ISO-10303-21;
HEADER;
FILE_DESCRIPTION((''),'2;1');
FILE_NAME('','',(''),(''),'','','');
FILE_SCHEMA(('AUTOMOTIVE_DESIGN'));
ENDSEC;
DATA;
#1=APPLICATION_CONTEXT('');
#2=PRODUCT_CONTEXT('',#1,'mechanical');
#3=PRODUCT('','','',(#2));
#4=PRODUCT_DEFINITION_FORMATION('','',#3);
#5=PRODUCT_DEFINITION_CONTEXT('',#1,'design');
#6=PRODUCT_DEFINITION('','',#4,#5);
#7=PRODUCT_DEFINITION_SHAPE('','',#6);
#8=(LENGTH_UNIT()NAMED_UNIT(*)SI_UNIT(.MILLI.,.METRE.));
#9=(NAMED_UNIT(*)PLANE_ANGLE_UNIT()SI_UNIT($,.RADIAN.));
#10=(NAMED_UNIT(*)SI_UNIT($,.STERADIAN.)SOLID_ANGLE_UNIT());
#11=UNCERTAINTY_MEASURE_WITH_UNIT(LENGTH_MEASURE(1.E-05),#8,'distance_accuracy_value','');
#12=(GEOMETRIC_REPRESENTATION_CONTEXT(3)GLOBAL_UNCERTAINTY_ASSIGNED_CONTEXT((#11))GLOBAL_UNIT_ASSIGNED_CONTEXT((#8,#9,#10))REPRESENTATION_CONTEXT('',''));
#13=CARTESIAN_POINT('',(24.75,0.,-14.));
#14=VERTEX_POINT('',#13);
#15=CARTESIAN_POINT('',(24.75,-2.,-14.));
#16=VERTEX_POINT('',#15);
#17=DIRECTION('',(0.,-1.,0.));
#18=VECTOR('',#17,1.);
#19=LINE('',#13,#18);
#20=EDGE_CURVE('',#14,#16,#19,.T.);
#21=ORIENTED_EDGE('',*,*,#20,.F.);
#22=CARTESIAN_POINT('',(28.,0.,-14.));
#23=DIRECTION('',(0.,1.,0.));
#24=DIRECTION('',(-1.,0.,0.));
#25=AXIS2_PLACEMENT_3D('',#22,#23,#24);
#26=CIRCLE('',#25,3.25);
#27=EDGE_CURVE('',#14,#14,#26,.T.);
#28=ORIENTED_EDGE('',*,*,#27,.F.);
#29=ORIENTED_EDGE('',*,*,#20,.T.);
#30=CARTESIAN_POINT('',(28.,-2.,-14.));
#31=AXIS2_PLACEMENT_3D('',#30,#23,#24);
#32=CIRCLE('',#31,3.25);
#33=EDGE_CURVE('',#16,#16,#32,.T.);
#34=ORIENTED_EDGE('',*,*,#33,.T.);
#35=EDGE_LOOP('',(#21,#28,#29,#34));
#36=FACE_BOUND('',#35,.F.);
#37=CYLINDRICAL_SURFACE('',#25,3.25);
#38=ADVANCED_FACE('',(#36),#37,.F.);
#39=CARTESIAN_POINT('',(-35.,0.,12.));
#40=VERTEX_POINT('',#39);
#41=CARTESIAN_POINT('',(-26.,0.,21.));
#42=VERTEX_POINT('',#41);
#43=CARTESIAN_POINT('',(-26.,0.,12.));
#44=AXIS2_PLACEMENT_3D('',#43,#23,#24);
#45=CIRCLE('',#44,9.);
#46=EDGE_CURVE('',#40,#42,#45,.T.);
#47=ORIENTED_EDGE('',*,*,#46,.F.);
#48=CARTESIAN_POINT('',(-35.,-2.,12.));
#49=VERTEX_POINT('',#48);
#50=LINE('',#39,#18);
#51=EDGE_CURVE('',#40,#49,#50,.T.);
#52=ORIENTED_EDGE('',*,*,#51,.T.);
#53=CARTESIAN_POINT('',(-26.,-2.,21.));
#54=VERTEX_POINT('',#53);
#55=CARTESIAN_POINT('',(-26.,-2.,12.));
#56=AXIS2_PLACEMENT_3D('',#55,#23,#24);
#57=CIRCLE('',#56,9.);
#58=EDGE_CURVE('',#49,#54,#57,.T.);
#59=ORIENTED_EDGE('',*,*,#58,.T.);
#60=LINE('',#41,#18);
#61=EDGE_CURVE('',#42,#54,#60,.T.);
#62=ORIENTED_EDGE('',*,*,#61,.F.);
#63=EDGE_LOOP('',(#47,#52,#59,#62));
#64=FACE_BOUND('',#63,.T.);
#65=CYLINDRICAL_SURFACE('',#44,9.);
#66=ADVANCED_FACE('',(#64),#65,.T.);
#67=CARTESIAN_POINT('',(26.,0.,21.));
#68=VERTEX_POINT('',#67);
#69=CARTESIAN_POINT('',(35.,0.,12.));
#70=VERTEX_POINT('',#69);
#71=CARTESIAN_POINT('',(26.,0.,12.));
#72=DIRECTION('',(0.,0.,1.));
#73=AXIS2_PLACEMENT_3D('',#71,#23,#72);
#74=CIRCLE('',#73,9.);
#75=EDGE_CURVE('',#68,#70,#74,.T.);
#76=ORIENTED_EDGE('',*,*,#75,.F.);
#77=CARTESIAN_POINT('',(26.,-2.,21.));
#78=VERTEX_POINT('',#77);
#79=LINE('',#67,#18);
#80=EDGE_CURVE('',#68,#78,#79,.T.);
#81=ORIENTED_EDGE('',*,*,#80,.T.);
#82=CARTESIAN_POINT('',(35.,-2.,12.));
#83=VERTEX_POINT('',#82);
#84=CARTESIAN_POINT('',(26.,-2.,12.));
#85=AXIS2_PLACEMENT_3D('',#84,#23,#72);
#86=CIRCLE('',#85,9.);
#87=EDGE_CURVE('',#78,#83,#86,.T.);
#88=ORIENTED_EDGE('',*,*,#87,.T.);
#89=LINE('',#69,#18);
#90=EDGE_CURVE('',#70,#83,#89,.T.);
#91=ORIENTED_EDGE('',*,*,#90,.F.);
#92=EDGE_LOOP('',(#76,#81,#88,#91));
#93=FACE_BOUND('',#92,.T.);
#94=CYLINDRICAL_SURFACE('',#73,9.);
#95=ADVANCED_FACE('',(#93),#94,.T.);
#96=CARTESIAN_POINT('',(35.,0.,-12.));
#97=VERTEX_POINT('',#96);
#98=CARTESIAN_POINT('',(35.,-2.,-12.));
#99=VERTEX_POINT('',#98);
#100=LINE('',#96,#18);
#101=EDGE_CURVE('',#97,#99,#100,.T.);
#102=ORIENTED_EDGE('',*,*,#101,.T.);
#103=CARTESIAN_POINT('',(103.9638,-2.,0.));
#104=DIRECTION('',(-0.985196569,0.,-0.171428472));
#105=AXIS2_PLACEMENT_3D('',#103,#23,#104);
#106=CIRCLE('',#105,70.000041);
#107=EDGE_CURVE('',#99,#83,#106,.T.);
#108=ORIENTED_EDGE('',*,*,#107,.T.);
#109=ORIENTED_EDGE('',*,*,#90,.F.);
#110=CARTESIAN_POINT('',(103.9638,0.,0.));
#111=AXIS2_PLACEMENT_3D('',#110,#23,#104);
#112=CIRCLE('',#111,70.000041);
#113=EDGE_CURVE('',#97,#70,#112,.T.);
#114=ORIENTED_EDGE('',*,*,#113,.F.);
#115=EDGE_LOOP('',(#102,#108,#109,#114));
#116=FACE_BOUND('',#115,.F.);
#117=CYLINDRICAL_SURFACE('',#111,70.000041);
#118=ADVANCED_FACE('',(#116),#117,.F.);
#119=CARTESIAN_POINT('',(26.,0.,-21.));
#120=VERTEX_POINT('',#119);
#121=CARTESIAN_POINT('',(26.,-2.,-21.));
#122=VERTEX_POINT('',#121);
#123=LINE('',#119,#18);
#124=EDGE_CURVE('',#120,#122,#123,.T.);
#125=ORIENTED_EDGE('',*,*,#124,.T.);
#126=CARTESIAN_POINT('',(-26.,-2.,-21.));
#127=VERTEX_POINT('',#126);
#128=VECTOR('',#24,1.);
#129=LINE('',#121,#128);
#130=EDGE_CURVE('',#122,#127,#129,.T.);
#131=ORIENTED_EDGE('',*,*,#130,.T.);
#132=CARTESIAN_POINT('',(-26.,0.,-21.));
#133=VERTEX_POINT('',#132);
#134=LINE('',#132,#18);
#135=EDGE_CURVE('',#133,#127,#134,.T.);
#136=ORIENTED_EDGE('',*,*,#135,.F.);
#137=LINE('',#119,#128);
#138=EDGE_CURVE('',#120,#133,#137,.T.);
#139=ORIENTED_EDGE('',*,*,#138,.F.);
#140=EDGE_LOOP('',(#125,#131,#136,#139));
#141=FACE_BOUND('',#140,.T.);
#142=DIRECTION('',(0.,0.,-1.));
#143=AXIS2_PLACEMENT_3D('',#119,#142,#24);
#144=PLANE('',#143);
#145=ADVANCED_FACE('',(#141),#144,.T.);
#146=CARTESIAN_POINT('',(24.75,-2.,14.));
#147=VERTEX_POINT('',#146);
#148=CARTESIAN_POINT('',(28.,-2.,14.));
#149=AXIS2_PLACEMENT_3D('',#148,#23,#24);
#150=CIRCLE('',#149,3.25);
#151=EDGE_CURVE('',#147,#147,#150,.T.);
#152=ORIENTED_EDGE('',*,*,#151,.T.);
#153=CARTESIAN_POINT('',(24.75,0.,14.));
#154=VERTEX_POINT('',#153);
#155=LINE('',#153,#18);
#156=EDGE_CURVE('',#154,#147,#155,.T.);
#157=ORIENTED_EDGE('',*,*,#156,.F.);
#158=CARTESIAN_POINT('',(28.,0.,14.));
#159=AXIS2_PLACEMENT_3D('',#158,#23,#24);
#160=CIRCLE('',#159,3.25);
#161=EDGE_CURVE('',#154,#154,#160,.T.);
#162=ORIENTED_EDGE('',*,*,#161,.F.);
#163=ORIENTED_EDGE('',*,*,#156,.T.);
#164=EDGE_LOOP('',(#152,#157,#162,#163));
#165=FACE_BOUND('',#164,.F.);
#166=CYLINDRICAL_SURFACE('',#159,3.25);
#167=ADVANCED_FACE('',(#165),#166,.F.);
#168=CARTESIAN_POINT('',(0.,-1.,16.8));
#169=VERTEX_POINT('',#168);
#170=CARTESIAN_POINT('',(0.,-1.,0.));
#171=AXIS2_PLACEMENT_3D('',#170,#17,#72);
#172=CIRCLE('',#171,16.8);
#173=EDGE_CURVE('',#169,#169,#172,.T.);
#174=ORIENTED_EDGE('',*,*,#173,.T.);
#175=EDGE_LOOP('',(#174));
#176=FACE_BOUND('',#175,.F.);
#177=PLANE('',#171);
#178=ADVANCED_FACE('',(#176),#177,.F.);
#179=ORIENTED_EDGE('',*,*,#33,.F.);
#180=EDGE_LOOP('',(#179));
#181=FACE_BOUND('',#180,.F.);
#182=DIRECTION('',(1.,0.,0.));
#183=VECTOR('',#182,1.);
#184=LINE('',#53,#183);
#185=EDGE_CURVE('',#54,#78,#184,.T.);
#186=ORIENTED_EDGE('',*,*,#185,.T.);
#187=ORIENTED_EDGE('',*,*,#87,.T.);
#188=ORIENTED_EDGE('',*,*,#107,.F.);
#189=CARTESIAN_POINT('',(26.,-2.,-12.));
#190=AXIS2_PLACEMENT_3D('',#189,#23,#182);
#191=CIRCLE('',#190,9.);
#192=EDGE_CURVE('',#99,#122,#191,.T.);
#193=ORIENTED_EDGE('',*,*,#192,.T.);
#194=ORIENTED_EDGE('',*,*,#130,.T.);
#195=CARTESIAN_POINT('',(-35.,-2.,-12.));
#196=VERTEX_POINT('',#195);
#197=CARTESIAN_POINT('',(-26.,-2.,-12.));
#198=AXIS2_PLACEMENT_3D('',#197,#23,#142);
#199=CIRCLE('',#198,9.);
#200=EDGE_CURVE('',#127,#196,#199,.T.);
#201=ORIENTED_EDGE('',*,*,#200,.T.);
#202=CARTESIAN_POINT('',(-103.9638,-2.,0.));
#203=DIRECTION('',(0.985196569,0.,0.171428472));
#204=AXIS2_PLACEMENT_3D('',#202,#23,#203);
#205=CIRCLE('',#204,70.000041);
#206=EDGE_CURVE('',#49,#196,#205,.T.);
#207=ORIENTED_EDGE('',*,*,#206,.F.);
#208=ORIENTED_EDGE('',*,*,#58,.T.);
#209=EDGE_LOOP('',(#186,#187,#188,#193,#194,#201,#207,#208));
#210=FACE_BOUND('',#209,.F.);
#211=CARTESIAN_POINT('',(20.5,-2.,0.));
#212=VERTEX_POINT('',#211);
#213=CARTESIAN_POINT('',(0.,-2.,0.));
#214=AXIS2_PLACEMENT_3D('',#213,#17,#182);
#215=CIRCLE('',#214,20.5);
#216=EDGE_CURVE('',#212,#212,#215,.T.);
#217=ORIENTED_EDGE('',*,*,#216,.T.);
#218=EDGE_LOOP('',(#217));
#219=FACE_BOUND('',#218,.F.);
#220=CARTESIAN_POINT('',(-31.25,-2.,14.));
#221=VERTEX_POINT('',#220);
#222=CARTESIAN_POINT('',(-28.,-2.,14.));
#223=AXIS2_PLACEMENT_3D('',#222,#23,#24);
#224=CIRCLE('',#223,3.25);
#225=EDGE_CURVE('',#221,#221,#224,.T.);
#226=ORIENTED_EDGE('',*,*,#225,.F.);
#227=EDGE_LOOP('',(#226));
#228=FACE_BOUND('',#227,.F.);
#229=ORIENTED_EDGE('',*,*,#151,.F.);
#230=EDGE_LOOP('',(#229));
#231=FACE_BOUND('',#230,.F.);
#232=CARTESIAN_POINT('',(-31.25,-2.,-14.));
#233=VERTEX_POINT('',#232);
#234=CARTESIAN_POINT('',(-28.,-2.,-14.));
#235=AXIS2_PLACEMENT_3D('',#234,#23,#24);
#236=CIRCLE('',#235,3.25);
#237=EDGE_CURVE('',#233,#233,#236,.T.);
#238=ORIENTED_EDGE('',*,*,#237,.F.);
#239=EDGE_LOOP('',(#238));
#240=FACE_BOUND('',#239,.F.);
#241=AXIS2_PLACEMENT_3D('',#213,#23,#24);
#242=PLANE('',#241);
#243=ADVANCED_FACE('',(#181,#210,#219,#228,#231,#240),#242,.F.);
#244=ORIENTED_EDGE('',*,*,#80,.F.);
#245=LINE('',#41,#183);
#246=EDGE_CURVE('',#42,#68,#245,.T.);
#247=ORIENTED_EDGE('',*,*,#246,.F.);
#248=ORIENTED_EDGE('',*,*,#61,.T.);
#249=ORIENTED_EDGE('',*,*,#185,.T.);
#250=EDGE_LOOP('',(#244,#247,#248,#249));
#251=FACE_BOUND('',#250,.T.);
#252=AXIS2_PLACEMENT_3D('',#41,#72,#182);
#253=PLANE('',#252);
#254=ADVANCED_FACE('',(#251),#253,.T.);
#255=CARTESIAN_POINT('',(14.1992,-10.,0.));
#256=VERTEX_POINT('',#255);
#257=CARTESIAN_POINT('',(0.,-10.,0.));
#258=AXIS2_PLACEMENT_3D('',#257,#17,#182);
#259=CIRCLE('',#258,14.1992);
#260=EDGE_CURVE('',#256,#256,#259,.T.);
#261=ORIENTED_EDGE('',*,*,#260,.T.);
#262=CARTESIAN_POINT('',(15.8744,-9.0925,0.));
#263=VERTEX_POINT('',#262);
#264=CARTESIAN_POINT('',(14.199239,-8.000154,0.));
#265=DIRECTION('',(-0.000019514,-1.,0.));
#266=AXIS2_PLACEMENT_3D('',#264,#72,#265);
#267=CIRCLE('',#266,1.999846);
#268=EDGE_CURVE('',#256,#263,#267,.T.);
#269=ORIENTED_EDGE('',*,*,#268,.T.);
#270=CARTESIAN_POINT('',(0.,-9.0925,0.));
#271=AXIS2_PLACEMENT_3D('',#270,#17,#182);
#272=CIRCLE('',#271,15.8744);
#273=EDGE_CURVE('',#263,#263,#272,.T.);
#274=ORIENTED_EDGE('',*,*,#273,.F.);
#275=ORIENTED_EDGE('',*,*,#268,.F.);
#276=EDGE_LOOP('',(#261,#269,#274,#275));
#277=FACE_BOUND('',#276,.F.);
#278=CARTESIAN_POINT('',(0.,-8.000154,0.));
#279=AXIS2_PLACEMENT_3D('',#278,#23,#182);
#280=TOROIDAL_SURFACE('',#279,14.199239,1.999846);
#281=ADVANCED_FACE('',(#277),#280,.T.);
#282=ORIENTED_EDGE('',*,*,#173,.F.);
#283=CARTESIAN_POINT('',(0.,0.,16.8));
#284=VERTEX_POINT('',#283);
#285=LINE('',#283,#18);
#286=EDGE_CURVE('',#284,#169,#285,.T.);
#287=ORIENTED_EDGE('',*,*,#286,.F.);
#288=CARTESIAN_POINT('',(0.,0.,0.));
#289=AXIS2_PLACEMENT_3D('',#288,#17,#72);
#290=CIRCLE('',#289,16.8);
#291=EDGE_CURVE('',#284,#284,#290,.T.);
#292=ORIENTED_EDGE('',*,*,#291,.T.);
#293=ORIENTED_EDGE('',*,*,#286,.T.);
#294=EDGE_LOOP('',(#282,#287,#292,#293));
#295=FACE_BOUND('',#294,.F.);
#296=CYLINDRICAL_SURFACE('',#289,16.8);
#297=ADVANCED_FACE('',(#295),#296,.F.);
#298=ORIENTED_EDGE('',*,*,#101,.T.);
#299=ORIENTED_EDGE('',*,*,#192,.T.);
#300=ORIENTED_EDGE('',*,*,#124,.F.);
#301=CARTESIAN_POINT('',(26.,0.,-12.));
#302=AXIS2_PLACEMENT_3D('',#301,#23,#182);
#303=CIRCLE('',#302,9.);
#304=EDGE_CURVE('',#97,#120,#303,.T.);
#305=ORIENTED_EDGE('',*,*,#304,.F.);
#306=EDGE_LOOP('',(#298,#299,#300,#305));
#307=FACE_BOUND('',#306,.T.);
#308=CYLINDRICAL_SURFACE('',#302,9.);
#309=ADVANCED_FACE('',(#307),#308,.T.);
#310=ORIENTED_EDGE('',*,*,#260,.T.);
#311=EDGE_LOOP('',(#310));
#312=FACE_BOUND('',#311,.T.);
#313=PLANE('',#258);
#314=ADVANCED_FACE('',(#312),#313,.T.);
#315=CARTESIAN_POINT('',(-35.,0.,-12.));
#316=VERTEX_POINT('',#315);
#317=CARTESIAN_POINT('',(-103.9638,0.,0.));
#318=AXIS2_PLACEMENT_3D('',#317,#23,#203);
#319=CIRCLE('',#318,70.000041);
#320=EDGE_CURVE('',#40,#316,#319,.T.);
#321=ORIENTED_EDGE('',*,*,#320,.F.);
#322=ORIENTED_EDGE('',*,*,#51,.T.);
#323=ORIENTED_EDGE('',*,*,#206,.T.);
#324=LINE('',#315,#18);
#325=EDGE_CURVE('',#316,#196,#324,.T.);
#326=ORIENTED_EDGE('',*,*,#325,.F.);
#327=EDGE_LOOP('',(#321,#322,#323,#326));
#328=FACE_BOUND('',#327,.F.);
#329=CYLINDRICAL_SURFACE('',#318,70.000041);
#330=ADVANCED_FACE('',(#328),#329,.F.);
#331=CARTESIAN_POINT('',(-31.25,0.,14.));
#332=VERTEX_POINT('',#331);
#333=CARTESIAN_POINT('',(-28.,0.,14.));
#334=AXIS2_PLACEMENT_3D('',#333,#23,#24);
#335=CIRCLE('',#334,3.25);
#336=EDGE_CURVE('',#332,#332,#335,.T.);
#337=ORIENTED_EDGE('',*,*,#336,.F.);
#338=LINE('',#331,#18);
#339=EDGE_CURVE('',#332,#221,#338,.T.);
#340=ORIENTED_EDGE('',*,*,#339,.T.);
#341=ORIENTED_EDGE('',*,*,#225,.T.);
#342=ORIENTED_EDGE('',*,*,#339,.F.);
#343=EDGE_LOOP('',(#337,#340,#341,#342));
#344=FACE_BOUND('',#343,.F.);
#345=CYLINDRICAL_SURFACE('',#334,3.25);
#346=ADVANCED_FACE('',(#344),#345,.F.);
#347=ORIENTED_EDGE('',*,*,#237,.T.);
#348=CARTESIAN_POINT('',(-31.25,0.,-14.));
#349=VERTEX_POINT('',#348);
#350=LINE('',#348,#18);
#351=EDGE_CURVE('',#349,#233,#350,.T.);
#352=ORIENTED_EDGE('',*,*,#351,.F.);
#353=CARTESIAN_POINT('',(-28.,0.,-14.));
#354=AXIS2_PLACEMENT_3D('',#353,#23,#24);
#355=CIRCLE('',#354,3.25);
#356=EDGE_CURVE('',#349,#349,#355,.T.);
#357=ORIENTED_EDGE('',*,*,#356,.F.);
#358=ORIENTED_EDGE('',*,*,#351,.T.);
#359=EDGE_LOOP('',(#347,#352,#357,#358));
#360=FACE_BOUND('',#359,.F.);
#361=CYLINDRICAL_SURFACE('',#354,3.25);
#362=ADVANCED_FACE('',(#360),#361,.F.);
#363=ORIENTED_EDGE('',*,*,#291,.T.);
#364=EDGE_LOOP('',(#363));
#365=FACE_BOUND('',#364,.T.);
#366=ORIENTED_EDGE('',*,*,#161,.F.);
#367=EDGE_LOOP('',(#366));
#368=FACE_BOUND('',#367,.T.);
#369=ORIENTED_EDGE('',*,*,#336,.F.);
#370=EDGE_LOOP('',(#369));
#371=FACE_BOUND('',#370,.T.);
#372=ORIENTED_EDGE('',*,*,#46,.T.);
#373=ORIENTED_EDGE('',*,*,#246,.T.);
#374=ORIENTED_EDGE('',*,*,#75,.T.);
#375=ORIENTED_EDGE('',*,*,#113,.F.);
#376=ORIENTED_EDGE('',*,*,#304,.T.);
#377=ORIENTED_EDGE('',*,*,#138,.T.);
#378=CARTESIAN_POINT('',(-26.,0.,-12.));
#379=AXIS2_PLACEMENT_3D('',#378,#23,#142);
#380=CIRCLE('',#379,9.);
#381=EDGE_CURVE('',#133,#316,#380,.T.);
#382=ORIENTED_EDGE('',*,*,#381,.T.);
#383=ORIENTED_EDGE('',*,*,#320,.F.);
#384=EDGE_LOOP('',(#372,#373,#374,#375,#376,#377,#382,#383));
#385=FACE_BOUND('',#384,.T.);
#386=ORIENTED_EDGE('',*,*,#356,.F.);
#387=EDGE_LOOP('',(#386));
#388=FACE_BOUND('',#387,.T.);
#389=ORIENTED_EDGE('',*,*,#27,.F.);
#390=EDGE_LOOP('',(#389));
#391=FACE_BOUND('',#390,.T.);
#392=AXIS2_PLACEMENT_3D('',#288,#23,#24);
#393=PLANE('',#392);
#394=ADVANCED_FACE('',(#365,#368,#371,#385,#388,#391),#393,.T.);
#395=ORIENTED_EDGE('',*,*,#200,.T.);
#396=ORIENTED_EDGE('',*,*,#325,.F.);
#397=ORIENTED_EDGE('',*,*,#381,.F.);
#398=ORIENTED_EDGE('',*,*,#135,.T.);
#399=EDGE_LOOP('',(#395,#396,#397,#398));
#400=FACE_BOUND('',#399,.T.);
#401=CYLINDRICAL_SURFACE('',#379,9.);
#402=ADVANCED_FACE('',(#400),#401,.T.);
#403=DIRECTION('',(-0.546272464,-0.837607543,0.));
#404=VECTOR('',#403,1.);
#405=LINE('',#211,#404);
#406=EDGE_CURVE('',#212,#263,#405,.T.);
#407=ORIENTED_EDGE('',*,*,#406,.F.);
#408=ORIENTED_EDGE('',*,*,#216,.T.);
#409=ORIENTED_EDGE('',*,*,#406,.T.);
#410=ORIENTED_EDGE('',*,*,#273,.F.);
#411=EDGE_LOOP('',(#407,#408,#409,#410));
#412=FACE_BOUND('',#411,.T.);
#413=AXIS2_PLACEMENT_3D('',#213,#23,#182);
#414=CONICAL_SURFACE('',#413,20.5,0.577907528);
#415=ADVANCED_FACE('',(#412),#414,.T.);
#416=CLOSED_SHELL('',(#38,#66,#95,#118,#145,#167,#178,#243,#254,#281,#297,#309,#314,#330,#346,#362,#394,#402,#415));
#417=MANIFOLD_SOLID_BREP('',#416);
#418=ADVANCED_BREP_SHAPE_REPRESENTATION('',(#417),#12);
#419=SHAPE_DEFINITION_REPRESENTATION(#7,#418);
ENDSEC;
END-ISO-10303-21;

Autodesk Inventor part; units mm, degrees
sketch "Sketch_1" plane through (0, 0, 0) normal (0, 1, 0) x (-1, 0, 0)
  arc A0 (35, 12) -> (35, -12) centre (103.9638, 0) ccw
  arc A1 (35, 12) -> (26, 21) centre (26, 12) ccw
  line L0 (26, 21) -> (-26, 21)
  arc A2 (-26, 21) -> (-35, 12) centre (-26, 12) ccw
  arc A3 (-35, -12) -> (-35, 12) centre (-103.9638, 0) ccw
  arc A4 (-35, -12) -> (-26, -21) centre (-26, -12) ccw
  line L1 (-26, -21) -> (26, -21)
  arc A5 (26, -21) -> (35, -12) centre (26, -12) ccw
  circle A6 centre (-28, 14) radius 3.25
  circle A7 centre (-28, -14) radius 3.25
  circle A8 centre (28, 14) radius 3.25
  circle A9 centre (28, -14) radius 3.25
extrude "Extrusion1" add sketch "Sketch_1" against normal blind 2
sketch "Sketch2" plane through (0, 0, 0) normal (0, 1, 0) x (1, 0, 0)
  point P0 (0, 0)
hole "Hole1" at (0, 0, 0) direction (0, -1, 0) diameter 33.6 depth 1
sketch "Sketch_4" plane through (0, 0, 0) normal (0, 0, 1) x (1, 0, 0)
  line L0 (0, -10) -> (0, -2)
  line L1 (0, -2) -> (20.5, -2)
  line L2 (20.5, -2) -> (15.8744, -9.0925)
  arc A0 (14.1992, -10) -> (15.8744, -9.0925) centre (14.1992, -8) ccw
  line L3 (14.1992, -10) -> (0, -10)
  line L4 (0, -10) -> (0, -2)
revolve "Revolution1" add sketch "Sketch_4" angle 360 about axis through (0, -10, 0) along (0, -1, 0)
ref_plane "swivel_to_body_XY" through (0, -10, 0) normal (0, 1, 0) x (1, 0, 0)
ref_plane "swivel_to_body_YZ" through (0, -10, 0) normal (1, 0, 0) x (0, 0, -1)
ref_plane "swivel_to_body_ZX" through (0, -10, 0) normal (0, 0, -1) x (0, 1, 0)
properties part number "CHAMJ-E50-Rswivel"
